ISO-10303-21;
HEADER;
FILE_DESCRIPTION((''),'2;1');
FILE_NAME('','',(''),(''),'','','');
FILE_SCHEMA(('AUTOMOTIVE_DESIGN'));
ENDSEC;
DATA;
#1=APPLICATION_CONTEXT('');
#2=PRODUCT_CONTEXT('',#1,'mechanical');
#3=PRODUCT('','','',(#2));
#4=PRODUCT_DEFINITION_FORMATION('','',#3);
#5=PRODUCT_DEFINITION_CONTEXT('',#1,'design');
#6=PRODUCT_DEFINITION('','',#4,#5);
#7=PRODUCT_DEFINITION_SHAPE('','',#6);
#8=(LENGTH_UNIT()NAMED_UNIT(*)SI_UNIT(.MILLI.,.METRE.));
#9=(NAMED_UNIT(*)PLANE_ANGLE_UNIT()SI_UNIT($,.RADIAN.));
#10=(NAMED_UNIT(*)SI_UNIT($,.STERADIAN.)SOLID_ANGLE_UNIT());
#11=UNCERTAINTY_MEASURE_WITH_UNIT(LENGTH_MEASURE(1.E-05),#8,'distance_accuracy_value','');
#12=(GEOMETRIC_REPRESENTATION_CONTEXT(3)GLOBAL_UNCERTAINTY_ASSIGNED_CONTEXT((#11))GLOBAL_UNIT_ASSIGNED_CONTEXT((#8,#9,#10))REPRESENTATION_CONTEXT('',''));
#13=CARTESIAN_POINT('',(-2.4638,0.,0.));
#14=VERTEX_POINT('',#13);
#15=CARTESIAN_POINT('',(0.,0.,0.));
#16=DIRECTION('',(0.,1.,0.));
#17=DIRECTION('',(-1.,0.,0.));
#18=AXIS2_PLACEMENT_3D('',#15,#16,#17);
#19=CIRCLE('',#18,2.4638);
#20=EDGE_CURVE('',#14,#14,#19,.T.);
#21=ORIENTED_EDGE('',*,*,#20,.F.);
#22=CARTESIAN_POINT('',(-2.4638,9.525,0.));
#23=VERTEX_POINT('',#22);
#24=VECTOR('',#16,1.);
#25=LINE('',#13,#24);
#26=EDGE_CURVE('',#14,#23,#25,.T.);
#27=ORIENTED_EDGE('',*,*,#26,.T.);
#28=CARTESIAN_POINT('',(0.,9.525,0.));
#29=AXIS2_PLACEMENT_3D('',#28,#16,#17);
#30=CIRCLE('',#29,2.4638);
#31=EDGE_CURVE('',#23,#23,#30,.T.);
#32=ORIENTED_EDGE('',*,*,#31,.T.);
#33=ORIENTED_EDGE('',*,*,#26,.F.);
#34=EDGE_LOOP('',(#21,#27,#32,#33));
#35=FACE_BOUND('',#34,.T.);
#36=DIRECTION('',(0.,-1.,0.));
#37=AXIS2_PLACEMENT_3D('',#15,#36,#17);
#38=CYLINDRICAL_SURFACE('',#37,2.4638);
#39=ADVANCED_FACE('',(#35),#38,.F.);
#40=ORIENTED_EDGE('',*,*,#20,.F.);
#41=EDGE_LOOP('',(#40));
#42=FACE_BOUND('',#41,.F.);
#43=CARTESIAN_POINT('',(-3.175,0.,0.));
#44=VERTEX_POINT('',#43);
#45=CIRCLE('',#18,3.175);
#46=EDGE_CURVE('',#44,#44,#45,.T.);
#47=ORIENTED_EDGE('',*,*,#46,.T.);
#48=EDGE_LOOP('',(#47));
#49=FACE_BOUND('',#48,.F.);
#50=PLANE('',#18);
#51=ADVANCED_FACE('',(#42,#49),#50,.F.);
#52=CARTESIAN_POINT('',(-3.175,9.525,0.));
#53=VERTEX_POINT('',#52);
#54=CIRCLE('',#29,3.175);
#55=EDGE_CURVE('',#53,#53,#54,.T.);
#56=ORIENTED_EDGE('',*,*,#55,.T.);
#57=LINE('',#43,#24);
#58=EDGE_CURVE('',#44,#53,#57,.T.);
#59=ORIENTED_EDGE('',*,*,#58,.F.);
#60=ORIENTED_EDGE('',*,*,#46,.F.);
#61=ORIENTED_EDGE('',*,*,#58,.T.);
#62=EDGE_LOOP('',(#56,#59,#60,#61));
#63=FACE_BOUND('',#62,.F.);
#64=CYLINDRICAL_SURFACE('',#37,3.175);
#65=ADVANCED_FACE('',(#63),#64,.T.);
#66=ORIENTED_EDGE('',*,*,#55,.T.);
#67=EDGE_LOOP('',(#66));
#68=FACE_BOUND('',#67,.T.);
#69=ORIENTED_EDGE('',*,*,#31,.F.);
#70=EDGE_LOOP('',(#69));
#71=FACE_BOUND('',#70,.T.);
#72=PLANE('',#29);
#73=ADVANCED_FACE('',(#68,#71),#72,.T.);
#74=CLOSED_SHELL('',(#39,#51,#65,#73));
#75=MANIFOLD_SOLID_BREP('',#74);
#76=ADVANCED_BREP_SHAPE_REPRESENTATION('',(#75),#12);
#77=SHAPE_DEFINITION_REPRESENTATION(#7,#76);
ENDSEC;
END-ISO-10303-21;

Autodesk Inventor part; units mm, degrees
ref_plane "YZ Plane" through (0, 0, 0) normal (1, 0, 0) x (0, 1, 0)
ref_plane "XZ Plane" through (0, 0, 0) normal (0, 1, 0) x (-1, 0, 0)
ref_plane "XY Plane" through (0, 0, 0) normal (0, 0, 1) x (1, 0, 0)
sketch "Sketch1" plane through (0, 0, 0) normal (0, 1, 0) x (-1, 0, 0)
  circle A0 centre (0, 0) radius 2.4638
  circle A1 centre (0, 0) radius 3.175
  dimension "d0" = 4.9276
  dimension "d1" = 6.35
extrude "Extrusion1" add sketch "Sketch1" along normal blind 9.525
properties part number ".375 in McMaster" material "Nylon 6"
